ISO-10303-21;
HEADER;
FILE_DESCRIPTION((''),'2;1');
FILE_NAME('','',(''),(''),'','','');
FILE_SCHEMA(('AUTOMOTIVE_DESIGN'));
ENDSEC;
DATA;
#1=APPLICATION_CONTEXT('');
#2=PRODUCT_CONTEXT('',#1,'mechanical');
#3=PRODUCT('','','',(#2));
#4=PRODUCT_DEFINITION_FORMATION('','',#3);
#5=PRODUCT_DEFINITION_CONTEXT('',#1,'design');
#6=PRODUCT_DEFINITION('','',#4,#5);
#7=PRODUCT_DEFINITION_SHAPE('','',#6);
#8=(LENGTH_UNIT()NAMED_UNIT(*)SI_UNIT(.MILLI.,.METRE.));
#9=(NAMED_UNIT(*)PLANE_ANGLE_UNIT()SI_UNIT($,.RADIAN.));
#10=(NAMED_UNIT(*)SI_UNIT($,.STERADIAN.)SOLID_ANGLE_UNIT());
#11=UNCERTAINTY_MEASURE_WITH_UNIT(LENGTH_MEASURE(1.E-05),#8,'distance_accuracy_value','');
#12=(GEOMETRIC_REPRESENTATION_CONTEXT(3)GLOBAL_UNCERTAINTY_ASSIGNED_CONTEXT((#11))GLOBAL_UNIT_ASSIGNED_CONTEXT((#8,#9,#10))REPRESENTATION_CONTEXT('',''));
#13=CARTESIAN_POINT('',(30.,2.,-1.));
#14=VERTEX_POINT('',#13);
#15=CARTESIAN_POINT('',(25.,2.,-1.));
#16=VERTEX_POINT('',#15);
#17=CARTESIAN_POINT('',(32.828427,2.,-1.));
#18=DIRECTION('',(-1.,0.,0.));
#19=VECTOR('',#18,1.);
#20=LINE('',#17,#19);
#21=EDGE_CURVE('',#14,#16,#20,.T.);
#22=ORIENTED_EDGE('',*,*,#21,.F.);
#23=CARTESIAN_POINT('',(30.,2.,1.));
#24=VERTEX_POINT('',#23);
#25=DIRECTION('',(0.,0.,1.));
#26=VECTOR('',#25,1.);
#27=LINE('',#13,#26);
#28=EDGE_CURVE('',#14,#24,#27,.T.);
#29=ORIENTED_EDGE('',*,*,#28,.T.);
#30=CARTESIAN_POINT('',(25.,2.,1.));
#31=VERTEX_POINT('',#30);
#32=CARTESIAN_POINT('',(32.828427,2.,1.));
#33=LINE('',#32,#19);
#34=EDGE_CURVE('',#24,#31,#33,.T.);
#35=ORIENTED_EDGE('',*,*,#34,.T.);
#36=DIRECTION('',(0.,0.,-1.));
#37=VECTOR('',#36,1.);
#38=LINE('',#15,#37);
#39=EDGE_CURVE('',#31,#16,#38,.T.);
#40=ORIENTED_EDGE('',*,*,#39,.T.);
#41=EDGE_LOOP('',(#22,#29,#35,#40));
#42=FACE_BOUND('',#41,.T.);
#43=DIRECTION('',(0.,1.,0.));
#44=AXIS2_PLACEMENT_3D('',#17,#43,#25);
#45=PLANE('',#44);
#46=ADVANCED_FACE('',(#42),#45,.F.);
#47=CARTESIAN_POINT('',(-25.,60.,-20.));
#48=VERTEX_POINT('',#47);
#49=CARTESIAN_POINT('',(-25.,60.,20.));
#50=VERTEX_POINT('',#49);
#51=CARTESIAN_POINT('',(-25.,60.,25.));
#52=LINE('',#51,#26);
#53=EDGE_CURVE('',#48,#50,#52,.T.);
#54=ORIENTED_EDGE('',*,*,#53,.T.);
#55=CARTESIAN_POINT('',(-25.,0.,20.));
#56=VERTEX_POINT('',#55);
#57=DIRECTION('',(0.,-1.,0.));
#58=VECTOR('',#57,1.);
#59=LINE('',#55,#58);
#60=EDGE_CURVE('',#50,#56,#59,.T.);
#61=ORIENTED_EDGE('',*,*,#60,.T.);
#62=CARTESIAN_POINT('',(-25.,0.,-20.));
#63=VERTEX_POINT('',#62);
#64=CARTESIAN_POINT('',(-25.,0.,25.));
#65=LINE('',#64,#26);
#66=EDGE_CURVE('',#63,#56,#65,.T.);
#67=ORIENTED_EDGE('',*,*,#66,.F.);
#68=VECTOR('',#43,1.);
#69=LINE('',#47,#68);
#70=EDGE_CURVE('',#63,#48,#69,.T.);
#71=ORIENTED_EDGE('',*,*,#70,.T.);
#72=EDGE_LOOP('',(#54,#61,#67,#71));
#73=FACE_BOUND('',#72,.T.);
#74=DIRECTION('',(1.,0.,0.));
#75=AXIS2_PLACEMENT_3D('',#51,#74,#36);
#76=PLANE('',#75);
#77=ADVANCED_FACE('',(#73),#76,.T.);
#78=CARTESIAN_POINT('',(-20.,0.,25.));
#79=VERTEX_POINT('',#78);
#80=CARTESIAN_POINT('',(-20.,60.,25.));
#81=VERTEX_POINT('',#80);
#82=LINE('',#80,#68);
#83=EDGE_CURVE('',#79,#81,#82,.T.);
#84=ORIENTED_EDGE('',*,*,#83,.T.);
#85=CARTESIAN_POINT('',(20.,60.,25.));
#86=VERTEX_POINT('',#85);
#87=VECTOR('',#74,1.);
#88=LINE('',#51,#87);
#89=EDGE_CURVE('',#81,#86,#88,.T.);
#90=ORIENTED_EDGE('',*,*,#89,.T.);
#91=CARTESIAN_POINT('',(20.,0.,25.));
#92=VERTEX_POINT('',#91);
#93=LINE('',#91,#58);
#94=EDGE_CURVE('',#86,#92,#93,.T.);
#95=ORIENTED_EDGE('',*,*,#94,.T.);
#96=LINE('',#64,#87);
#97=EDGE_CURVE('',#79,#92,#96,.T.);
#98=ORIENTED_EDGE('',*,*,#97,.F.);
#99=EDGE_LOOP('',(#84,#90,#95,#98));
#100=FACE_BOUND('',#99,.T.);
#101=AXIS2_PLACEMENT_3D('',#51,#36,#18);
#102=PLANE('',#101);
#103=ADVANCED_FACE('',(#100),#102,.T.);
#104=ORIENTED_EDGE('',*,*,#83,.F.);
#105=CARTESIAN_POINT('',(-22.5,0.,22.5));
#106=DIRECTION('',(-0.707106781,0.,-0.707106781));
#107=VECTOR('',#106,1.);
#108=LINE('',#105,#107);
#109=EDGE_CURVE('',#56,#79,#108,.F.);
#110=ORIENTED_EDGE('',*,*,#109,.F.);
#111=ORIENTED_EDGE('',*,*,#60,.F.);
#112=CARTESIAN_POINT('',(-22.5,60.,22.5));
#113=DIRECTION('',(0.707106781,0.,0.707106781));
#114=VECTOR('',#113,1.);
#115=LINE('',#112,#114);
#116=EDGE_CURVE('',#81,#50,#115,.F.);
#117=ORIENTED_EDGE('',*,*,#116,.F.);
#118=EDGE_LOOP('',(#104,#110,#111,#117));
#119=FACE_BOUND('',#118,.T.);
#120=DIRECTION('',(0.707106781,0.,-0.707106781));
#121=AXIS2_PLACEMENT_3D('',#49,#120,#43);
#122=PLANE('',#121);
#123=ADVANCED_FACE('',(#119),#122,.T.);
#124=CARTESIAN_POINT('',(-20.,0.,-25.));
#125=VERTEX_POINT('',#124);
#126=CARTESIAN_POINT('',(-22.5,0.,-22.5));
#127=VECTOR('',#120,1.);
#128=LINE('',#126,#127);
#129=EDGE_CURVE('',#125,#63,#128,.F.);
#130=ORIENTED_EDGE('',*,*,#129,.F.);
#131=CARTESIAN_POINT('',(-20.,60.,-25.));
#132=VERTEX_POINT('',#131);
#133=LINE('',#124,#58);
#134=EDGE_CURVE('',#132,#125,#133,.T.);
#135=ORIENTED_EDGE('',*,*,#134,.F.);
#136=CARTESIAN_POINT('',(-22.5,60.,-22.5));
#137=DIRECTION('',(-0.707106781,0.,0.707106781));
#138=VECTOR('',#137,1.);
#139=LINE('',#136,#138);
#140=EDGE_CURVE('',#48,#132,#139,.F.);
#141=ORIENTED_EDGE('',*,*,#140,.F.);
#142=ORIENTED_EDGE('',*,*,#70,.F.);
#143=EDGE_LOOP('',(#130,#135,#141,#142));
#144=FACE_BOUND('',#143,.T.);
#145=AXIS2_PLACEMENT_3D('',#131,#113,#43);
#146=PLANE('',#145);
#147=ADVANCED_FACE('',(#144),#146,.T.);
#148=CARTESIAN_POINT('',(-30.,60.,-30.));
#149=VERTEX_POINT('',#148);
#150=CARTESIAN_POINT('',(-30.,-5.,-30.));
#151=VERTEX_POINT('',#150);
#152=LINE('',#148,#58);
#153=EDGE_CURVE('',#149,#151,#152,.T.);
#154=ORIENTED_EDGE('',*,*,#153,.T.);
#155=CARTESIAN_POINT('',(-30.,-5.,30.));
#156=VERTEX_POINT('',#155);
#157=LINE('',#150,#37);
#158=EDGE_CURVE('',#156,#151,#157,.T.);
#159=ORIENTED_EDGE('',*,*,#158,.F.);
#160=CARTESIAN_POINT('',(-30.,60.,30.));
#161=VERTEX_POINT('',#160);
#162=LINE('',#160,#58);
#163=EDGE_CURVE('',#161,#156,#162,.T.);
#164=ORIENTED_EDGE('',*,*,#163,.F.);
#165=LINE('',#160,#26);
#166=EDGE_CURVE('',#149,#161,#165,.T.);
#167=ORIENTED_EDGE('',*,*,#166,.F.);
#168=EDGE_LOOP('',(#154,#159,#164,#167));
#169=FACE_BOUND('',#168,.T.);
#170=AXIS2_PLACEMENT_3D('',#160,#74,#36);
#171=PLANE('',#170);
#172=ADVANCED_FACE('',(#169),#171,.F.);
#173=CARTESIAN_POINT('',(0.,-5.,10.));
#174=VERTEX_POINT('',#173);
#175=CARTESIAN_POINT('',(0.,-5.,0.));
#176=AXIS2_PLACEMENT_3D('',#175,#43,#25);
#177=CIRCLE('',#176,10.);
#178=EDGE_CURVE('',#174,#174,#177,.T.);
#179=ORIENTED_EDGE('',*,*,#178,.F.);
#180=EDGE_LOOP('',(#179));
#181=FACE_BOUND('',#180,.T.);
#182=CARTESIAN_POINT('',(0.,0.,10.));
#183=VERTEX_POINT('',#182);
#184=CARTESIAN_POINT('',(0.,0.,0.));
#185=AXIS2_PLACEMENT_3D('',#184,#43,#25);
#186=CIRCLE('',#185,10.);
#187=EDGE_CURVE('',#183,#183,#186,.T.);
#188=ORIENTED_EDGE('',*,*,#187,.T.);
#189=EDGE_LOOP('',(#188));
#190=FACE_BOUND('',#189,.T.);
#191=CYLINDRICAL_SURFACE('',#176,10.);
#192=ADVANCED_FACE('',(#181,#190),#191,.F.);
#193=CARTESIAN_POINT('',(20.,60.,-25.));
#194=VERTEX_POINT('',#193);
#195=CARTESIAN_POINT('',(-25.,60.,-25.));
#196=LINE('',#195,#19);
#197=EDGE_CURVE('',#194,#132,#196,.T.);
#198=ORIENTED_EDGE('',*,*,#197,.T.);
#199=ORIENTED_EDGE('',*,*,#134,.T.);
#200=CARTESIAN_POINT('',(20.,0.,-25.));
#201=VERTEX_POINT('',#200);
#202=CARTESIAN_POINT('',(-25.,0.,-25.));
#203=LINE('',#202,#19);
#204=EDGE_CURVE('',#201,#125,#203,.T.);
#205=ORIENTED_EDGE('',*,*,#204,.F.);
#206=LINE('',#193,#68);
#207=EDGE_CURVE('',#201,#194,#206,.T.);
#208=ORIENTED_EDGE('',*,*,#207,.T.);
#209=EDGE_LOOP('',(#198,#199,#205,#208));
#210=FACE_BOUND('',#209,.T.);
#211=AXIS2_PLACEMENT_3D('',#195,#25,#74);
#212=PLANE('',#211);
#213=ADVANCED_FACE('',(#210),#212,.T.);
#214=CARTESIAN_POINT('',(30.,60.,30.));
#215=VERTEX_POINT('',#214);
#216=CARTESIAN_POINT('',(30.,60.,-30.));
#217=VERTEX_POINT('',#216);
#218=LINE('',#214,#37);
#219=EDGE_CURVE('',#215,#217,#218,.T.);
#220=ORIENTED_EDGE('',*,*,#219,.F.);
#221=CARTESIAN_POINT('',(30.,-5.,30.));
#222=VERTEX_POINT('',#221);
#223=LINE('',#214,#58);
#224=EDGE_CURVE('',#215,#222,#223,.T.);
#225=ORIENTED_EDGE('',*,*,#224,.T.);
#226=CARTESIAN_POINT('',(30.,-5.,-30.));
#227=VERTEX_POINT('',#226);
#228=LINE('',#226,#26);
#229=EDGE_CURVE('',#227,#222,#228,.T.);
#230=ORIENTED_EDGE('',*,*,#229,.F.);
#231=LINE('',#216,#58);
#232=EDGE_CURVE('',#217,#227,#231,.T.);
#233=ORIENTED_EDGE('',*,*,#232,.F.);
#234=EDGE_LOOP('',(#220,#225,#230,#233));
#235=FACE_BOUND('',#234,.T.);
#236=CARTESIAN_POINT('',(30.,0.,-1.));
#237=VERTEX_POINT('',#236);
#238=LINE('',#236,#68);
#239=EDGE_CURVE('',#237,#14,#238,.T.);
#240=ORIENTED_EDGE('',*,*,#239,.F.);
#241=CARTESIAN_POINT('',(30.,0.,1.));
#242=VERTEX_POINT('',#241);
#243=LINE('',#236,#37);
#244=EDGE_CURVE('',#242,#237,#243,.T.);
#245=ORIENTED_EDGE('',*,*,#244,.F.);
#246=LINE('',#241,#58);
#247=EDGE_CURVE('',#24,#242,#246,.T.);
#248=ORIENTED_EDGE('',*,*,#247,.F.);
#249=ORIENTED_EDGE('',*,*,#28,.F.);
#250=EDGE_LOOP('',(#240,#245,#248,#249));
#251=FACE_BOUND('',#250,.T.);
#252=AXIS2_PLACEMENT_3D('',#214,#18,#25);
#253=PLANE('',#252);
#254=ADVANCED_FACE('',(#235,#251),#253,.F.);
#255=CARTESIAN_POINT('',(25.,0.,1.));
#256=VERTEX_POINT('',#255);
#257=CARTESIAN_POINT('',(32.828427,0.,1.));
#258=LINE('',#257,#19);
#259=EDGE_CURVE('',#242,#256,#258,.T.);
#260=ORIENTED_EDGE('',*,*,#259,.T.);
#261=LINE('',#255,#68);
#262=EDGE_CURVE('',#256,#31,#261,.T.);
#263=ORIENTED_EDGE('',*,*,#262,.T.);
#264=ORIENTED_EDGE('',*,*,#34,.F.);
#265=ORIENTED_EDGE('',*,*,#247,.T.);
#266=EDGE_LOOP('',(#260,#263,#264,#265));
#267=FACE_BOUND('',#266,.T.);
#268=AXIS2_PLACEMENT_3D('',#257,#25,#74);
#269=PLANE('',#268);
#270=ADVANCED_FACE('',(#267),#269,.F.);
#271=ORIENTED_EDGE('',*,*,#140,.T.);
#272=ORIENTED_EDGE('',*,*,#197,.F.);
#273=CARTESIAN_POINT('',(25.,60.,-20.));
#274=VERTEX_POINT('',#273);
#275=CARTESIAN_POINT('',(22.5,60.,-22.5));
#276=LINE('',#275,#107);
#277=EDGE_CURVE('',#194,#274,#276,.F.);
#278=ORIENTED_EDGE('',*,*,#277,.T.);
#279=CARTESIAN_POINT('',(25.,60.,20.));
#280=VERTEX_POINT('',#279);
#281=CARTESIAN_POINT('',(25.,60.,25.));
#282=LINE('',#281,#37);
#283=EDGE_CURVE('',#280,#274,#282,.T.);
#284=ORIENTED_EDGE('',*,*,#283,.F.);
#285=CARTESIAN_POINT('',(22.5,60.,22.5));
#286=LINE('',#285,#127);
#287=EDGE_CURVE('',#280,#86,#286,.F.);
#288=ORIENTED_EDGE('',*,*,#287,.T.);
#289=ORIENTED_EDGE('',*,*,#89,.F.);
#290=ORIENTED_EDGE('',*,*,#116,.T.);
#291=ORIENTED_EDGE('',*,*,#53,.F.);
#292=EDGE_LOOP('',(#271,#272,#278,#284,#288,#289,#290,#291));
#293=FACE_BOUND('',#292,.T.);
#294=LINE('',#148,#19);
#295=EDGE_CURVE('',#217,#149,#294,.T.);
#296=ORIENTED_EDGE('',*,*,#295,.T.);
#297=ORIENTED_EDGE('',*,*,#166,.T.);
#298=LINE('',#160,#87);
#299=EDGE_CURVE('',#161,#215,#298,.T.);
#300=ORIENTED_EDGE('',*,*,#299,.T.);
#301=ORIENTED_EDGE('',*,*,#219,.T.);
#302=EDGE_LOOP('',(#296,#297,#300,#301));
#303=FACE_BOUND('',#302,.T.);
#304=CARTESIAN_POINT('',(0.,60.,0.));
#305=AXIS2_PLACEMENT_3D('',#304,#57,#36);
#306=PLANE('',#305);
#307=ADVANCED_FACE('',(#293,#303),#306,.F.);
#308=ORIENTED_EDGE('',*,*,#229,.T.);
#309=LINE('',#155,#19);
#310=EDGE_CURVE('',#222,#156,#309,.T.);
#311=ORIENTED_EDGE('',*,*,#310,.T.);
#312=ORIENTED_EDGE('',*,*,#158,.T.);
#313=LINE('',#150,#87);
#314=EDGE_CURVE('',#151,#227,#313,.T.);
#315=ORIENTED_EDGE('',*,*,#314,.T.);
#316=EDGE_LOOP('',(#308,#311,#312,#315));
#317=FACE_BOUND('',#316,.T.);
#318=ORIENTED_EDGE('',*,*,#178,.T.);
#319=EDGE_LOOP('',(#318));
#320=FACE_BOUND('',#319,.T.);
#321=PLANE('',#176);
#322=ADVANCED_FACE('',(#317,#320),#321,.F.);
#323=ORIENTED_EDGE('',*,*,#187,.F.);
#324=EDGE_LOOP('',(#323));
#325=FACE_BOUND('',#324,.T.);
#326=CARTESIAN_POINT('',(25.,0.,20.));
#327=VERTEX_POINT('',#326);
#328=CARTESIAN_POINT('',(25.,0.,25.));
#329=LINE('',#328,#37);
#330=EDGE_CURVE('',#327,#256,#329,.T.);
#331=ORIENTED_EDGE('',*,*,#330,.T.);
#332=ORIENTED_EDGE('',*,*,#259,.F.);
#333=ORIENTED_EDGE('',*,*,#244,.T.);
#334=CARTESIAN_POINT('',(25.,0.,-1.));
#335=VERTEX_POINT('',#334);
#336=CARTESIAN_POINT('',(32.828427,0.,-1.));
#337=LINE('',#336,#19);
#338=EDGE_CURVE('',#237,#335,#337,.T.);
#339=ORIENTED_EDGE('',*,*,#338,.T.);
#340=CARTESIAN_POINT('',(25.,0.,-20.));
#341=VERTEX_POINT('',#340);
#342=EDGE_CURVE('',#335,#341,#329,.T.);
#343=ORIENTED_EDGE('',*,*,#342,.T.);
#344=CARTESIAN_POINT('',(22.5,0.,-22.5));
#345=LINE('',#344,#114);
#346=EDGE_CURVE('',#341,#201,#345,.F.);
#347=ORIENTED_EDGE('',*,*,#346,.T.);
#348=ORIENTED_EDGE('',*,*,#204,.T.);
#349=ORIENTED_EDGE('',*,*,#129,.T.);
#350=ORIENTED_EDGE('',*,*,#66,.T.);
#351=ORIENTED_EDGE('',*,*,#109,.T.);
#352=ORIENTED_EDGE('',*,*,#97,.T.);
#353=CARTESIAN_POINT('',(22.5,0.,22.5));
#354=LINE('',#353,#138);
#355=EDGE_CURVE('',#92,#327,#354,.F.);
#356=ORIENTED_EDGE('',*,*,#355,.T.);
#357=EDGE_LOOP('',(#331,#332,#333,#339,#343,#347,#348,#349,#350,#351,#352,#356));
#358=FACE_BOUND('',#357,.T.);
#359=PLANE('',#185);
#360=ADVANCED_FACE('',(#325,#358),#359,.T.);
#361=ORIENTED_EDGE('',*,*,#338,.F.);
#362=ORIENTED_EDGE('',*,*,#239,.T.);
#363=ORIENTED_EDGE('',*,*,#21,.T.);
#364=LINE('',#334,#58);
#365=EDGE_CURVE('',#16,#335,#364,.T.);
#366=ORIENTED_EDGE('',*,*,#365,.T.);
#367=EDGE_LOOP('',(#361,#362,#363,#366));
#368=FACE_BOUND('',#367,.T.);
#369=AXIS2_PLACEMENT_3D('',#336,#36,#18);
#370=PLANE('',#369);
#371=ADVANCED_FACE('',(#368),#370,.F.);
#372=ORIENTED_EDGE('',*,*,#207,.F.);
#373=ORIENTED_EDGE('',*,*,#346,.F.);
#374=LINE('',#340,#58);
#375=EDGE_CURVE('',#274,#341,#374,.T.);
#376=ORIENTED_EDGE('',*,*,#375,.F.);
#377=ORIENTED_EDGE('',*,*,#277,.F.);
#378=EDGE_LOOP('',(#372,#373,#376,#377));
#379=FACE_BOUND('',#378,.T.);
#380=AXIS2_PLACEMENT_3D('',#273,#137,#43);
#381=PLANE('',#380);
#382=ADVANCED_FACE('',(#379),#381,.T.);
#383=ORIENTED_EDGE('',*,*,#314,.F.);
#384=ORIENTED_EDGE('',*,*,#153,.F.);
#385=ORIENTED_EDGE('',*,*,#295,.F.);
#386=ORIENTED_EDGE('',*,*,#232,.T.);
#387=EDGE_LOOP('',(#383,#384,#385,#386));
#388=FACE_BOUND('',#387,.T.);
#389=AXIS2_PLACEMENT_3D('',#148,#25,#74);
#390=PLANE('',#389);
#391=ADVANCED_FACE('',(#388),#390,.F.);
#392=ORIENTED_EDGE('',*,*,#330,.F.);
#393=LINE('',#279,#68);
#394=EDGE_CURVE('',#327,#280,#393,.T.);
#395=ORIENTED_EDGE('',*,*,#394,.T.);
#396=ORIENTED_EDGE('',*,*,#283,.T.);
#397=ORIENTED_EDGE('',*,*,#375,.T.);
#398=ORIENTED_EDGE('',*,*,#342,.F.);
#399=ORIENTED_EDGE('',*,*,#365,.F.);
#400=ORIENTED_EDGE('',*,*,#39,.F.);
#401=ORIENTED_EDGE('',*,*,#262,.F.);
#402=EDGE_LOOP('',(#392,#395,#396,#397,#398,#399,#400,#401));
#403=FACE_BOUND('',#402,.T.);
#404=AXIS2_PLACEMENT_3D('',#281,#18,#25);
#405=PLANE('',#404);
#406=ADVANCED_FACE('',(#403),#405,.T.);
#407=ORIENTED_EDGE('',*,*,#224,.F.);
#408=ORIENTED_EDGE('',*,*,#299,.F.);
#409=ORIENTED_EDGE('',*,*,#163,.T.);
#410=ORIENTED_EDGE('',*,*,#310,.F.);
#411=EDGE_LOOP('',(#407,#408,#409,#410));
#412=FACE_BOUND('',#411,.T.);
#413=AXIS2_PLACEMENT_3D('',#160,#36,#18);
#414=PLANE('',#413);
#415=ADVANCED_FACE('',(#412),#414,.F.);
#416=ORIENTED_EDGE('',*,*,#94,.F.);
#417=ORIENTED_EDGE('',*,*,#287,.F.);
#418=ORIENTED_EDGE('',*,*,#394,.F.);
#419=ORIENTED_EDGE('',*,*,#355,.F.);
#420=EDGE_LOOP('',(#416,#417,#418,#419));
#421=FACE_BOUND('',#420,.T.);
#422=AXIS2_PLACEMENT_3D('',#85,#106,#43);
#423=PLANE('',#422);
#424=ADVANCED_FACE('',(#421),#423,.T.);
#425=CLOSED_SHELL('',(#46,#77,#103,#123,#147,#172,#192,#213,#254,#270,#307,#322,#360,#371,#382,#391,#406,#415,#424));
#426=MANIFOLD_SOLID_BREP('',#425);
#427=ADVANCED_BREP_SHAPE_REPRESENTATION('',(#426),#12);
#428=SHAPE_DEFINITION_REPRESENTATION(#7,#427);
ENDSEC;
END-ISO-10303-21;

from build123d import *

# Parameters (mm, degrees)
SKETCH1_W           = 60
SKETCH1_H           = 60
SKETCH1_W_2         = 50
SKETCH1_H_2         = 50
BOSS_EXTRUDE1_DEPTH = 60
SKETCH2_W           = 60
SKETCH2_H           = 60
BOSS_EXTRUDE2_DEPTH = 5
SKETCH3_R           = 10
CUT_EXTRUDE1_DEPTH  = 6
CHAMFER4_SIZE       = 5
SKETCH7_W           = 2
SKETCH7_H           = 2
CUT_EXTRUDE3_DEPTH  = 5


with BuildPart() as part:
    # Sketch1 → Boss-Extrude1 (new body)
    with BuildSketch(Plane(origin=(0, 0, 0), x_dir=(1, 0, 0), z_dir=(0, 1, 0))):
        Rectangle(SKETCH1_W, SKETCH1_H)
        Rectangle(SKETCH1_W_2, SKETCH1_H_2, mode=Mode.SUBTRACT)
    extrude(amount=BOSS_EXTRUDE1_DEPTH)

    # Sketch2 → Boss-Extrude2 (add)
    with BuildSketch(Plane.XZ):
        Rectangle(SKETCH2_W, SKETCH2_H)
    extrude(amount=BOSS_EXTRUDE2_DEPTH)

    # Sketch3 → Cut-Extrude1 (cut, through all)
    with BuildSketch(Plane(origin=(0, 0, 0), x_dir=(1, 0, 0), z_dir=(0, 1, 0))):
        Circle(SKETCH3_R)
    extrude(amount=-CUT_EXTRUDE1_DEPTH, mode=Mode.SUBTRACT)

    # Chamfer4
    chamfer4_edges = [part.edges().sort_by_distance(p)[0] for p in [
        (25, 30, 25),
        (25, 30, -25),
        (-25, 30, -25),
        (-25, 30, 25),
    ]]
    chamfer(chamfer4_edges, length=CHAMFER4_SIZE)

    # Sketch7 → Cut-Extrude3 (cut)
    with BuildSketch(Plane.ZY.offset(-25)):
        with Locations((0, 1)):
            Rectangle(SKETCH7_W, SKETCH7_H)
    extrude(amount=-CUT_EXTRUDE3_DEPTH, mode=Mode.SUBTRACT)


solid = part.part
